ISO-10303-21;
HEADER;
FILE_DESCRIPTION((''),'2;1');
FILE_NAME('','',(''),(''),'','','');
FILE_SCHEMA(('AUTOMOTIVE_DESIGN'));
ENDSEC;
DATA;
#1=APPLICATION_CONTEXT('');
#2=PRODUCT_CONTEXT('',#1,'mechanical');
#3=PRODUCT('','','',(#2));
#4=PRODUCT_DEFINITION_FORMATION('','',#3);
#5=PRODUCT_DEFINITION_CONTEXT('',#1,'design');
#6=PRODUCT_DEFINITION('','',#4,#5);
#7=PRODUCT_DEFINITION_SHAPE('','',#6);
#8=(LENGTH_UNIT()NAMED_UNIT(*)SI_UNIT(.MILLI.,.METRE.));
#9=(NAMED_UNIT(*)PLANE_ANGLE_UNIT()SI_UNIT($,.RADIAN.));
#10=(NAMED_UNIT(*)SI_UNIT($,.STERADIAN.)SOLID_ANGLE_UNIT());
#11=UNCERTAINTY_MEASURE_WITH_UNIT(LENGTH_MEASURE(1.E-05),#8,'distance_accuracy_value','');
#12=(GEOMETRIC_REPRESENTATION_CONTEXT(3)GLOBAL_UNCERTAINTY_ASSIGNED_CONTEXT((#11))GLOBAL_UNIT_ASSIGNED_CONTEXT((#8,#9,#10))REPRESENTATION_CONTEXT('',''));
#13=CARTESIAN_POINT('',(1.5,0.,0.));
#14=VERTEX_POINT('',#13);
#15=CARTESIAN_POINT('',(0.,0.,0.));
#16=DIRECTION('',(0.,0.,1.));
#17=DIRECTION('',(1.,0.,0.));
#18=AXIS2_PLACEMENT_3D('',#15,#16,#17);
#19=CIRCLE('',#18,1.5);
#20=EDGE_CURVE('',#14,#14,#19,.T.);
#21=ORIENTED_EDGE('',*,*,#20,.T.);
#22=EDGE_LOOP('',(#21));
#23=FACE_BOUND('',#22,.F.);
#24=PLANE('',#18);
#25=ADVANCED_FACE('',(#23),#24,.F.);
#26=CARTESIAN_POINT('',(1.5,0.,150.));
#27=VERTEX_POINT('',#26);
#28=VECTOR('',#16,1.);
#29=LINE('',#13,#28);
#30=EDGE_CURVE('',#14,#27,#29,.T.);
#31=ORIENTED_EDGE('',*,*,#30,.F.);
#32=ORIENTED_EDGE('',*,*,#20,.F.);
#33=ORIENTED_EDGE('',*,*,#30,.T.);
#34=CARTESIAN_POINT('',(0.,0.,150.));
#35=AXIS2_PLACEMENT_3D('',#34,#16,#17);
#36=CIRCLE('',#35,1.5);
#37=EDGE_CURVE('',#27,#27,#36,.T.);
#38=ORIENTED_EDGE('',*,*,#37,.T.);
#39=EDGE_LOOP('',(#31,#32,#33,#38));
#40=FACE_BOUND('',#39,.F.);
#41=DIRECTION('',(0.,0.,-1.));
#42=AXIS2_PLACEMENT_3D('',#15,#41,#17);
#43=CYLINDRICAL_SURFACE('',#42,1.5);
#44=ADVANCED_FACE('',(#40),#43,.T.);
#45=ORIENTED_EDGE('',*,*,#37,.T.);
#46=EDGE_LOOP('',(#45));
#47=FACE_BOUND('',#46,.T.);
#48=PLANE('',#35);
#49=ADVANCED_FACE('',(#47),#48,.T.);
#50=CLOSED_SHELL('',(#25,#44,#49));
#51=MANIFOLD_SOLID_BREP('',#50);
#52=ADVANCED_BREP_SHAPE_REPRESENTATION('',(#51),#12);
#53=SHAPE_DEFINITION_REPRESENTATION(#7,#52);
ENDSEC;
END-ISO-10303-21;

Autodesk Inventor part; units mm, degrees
ref_plane "YZ Plane" through (0, 0, 0) normal (1, 0, 0) x (0, 1, 0)
ref_plane "XZ Plane" through (0, 0, 0) normal (0, 1, 0) x (-1, 0, 0)
ref_plane "XY Plane" through (0, 0, 0) normal (0, 0, 1) x (1, 0, 0)
sketch "Sketch1" plane through (0, 0, 0) normal (0, 0, 1) x (1, 0, 0)
  circle A0 centre (0, 0) radius 1.5
  dimension "d0" = 3
extrude "Extrusion1" add sketch "Sketch1" along normal blind 150
properties part number "rod 3x150mm"
